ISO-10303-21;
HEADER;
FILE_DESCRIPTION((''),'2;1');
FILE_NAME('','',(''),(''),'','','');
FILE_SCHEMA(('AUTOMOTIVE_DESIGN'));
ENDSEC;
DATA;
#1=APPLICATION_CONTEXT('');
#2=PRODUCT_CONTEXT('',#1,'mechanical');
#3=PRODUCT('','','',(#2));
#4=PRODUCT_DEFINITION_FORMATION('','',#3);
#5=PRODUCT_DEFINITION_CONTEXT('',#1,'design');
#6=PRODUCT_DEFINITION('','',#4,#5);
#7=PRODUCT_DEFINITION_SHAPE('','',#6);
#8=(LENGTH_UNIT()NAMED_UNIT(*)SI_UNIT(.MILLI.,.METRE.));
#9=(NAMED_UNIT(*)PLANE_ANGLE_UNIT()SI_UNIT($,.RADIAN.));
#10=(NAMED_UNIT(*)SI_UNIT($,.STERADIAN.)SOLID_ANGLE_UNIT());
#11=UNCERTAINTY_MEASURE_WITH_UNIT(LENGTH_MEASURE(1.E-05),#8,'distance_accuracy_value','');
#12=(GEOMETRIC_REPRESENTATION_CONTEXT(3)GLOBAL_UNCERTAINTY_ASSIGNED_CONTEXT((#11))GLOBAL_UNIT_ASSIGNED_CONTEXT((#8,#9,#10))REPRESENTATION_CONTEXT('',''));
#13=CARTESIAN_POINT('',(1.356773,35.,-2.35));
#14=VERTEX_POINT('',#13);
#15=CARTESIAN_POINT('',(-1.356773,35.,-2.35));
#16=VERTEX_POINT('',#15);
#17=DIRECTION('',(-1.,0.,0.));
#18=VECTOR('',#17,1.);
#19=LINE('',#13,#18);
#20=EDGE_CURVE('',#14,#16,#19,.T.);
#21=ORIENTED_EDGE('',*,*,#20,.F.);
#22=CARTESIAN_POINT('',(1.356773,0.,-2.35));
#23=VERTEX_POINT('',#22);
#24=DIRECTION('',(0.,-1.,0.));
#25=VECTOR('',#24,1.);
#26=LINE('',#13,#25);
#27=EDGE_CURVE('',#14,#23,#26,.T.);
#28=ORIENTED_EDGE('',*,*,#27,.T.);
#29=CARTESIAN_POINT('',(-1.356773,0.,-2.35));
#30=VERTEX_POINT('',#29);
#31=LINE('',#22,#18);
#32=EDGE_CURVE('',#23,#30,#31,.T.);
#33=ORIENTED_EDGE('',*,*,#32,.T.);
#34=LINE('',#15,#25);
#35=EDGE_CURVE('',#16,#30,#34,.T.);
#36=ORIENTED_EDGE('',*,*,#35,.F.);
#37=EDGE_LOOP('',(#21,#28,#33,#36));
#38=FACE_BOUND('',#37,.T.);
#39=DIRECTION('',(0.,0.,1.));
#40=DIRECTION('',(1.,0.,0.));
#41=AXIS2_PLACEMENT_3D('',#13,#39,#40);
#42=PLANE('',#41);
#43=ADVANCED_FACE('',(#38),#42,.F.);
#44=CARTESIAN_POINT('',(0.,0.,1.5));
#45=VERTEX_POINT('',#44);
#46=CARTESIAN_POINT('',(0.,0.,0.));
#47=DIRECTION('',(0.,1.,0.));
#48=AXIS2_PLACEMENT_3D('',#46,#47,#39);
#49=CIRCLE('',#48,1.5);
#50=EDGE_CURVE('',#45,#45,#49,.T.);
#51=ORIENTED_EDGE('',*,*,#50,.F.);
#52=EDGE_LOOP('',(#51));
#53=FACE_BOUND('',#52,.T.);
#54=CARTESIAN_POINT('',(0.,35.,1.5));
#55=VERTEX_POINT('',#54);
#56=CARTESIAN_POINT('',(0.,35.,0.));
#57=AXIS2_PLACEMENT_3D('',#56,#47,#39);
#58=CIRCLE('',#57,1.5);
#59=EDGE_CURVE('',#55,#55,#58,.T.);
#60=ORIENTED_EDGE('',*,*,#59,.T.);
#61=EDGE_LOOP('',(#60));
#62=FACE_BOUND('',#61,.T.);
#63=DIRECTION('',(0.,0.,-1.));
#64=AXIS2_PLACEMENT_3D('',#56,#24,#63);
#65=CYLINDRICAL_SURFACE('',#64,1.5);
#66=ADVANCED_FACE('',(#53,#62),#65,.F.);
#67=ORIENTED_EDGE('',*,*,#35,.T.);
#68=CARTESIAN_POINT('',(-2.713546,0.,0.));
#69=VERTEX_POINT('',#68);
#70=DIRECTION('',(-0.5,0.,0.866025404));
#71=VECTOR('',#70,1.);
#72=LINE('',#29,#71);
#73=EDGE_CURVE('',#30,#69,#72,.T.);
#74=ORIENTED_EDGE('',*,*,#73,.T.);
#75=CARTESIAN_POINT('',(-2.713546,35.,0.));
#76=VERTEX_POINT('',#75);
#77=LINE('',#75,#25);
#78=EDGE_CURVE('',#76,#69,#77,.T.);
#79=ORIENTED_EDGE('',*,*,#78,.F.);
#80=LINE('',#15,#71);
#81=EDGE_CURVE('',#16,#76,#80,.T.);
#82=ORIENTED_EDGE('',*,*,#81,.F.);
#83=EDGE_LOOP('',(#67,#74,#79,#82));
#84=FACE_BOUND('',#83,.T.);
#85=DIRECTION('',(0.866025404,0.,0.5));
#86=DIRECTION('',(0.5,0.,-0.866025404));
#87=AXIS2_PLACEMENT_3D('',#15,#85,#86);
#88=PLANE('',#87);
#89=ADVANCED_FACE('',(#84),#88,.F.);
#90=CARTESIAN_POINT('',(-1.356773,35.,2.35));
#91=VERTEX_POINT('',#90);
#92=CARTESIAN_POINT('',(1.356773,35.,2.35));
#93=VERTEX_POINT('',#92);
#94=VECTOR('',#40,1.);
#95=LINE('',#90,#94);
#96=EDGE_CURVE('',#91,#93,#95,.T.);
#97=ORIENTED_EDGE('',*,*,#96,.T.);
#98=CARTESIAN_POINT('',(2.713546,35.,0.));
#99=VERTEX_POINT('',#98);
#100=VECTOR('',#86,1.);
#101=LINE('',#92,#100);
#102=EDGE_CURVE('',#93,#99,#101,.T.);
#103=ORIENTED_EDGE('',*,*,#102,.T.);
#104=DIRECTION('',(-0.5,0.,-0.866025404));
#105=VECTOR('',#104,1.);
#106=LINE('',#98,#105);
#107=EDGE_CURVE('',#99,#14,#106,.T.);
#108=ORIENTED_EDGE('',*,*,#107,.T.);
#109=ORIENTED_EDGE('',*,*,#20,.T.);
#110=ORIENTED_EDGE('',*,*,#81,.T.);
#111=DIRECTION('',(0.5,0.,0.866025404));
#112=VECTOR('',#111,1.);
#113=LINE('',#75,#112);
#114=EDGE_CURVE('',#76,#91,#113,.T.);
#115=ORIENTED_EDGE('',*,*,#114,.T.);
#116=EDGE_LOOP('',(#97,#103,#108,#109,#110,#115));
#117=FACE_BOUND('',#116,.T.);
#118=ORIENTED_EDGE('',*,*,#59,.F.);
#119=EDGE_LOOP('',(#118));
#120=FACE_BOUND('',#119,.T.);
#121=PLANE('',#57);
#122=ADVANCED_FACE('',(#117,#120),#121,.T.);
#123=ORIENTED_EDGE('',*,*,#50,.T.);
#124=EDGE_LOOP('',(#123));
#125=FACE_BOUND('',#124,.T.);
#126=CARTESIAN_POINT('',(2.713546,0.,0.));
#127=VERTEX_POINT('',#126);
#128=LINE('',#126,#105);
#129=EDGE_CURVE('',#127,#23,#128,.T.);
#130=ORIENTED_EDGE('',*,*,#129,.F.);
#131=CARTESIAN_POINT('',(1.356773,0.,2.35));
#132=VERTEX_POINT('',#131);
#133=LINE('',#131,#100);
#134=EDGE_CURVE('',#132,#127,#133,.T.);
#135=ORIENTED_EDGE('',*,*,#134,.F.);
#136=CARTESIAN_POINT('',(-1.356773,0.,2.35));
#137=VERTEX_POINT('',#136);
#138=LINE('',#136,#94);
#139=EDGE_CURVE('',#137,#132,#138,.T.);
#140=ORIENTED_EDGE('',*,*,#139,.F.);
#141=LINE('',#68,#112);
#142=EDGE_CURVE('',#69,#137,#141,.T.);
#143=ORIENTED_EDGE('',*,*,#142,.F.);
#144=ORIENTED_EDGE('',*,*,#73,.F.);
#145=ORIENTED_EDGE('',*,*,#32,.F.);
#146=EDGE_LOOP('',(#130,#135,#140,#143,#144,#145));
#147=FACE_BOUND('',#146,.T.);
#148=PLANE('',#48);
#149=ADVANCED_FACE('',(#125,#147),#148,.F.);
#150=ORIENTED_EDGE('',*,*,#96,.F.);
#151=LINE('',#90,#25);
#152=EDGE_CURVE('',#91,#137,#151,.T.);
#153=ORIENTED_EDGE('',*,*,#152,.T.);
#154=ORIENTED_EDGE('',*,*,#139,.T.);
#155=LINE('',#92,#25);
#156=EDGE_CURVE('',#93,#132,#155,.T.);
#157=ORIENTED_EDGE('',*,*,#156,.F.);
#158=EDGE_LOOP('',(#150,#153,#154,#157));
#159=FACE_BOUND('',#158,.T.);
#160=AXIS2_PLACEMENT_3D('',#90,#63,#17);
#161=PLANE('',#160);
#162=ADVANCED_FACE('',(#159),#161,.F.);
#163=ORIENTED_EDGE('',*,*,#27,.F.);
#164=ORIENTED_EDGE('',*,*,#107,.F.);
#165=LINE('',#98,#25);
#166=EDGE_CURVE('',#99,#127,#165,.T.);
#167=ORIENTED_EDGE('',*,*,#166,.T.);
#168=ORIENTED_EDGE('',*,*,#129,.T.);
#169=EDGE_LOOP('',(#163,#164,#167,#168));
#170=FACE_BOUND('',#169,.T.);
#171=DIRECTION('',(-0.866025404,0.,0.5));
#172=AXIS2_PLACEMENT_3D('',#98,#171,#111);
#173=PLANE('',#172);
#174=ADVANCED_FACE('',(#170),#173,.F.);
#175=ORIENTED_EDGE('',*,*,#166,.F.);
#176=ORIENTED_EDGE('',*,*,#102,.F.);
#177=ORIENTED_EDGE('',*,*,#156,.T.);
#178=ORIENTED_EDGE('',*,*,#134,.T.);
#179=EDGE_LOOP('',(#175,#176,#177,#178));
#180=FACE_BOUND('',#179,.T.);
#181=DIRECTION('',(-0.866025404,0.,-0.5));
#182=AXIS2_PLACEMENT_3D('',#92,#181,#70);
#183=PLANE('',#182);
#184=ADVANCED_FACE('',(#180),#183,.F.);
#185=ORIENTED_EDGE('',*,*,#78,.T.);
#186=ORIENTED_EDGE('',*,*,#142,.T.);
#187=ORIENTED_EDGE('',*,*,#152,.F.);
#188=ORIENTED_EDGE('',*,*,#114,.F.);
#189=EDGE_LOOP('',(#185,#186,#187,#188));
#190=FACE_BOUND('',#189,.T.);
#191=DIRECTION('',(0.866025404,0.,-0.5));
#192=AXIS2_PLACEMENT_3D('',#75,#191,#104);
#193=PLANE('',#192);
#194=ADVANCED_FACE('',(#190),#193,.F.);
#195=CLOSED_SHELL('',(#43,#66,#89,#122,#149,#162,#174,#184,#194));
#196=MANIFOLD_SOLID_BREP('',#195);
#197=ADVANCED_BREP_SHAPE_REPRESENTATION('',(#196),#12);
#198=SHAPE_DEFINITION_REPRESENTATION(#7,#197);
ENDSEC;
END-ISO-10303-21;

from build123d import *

# Parameters (mm, degrees)
SKETCH_1_R      = 1.5
EXTRUDE_1_DEPTH = 35


with BuildPart() as part:
    # 草图1 → 凸台-拉伸1 (new body)
    with BuildSketch(Plane(origin=(0, 0, 0), x_dir=(1, 0, 0), z_dir=(0, 1, 0))):
        Polygon((2.713546265, 0), (1.356773133, 2.35), (-1.356773133, 2.35), (-2.713546265, 0), (-1.356773133, -2.35), (1.356773133, -2.35), align=None)
        Circle(SKETCH_1_R, mode=Mode.SUBTRACT)
    extrude(amount=EXTRUDE_1_DEPTH)


solid = part.part
